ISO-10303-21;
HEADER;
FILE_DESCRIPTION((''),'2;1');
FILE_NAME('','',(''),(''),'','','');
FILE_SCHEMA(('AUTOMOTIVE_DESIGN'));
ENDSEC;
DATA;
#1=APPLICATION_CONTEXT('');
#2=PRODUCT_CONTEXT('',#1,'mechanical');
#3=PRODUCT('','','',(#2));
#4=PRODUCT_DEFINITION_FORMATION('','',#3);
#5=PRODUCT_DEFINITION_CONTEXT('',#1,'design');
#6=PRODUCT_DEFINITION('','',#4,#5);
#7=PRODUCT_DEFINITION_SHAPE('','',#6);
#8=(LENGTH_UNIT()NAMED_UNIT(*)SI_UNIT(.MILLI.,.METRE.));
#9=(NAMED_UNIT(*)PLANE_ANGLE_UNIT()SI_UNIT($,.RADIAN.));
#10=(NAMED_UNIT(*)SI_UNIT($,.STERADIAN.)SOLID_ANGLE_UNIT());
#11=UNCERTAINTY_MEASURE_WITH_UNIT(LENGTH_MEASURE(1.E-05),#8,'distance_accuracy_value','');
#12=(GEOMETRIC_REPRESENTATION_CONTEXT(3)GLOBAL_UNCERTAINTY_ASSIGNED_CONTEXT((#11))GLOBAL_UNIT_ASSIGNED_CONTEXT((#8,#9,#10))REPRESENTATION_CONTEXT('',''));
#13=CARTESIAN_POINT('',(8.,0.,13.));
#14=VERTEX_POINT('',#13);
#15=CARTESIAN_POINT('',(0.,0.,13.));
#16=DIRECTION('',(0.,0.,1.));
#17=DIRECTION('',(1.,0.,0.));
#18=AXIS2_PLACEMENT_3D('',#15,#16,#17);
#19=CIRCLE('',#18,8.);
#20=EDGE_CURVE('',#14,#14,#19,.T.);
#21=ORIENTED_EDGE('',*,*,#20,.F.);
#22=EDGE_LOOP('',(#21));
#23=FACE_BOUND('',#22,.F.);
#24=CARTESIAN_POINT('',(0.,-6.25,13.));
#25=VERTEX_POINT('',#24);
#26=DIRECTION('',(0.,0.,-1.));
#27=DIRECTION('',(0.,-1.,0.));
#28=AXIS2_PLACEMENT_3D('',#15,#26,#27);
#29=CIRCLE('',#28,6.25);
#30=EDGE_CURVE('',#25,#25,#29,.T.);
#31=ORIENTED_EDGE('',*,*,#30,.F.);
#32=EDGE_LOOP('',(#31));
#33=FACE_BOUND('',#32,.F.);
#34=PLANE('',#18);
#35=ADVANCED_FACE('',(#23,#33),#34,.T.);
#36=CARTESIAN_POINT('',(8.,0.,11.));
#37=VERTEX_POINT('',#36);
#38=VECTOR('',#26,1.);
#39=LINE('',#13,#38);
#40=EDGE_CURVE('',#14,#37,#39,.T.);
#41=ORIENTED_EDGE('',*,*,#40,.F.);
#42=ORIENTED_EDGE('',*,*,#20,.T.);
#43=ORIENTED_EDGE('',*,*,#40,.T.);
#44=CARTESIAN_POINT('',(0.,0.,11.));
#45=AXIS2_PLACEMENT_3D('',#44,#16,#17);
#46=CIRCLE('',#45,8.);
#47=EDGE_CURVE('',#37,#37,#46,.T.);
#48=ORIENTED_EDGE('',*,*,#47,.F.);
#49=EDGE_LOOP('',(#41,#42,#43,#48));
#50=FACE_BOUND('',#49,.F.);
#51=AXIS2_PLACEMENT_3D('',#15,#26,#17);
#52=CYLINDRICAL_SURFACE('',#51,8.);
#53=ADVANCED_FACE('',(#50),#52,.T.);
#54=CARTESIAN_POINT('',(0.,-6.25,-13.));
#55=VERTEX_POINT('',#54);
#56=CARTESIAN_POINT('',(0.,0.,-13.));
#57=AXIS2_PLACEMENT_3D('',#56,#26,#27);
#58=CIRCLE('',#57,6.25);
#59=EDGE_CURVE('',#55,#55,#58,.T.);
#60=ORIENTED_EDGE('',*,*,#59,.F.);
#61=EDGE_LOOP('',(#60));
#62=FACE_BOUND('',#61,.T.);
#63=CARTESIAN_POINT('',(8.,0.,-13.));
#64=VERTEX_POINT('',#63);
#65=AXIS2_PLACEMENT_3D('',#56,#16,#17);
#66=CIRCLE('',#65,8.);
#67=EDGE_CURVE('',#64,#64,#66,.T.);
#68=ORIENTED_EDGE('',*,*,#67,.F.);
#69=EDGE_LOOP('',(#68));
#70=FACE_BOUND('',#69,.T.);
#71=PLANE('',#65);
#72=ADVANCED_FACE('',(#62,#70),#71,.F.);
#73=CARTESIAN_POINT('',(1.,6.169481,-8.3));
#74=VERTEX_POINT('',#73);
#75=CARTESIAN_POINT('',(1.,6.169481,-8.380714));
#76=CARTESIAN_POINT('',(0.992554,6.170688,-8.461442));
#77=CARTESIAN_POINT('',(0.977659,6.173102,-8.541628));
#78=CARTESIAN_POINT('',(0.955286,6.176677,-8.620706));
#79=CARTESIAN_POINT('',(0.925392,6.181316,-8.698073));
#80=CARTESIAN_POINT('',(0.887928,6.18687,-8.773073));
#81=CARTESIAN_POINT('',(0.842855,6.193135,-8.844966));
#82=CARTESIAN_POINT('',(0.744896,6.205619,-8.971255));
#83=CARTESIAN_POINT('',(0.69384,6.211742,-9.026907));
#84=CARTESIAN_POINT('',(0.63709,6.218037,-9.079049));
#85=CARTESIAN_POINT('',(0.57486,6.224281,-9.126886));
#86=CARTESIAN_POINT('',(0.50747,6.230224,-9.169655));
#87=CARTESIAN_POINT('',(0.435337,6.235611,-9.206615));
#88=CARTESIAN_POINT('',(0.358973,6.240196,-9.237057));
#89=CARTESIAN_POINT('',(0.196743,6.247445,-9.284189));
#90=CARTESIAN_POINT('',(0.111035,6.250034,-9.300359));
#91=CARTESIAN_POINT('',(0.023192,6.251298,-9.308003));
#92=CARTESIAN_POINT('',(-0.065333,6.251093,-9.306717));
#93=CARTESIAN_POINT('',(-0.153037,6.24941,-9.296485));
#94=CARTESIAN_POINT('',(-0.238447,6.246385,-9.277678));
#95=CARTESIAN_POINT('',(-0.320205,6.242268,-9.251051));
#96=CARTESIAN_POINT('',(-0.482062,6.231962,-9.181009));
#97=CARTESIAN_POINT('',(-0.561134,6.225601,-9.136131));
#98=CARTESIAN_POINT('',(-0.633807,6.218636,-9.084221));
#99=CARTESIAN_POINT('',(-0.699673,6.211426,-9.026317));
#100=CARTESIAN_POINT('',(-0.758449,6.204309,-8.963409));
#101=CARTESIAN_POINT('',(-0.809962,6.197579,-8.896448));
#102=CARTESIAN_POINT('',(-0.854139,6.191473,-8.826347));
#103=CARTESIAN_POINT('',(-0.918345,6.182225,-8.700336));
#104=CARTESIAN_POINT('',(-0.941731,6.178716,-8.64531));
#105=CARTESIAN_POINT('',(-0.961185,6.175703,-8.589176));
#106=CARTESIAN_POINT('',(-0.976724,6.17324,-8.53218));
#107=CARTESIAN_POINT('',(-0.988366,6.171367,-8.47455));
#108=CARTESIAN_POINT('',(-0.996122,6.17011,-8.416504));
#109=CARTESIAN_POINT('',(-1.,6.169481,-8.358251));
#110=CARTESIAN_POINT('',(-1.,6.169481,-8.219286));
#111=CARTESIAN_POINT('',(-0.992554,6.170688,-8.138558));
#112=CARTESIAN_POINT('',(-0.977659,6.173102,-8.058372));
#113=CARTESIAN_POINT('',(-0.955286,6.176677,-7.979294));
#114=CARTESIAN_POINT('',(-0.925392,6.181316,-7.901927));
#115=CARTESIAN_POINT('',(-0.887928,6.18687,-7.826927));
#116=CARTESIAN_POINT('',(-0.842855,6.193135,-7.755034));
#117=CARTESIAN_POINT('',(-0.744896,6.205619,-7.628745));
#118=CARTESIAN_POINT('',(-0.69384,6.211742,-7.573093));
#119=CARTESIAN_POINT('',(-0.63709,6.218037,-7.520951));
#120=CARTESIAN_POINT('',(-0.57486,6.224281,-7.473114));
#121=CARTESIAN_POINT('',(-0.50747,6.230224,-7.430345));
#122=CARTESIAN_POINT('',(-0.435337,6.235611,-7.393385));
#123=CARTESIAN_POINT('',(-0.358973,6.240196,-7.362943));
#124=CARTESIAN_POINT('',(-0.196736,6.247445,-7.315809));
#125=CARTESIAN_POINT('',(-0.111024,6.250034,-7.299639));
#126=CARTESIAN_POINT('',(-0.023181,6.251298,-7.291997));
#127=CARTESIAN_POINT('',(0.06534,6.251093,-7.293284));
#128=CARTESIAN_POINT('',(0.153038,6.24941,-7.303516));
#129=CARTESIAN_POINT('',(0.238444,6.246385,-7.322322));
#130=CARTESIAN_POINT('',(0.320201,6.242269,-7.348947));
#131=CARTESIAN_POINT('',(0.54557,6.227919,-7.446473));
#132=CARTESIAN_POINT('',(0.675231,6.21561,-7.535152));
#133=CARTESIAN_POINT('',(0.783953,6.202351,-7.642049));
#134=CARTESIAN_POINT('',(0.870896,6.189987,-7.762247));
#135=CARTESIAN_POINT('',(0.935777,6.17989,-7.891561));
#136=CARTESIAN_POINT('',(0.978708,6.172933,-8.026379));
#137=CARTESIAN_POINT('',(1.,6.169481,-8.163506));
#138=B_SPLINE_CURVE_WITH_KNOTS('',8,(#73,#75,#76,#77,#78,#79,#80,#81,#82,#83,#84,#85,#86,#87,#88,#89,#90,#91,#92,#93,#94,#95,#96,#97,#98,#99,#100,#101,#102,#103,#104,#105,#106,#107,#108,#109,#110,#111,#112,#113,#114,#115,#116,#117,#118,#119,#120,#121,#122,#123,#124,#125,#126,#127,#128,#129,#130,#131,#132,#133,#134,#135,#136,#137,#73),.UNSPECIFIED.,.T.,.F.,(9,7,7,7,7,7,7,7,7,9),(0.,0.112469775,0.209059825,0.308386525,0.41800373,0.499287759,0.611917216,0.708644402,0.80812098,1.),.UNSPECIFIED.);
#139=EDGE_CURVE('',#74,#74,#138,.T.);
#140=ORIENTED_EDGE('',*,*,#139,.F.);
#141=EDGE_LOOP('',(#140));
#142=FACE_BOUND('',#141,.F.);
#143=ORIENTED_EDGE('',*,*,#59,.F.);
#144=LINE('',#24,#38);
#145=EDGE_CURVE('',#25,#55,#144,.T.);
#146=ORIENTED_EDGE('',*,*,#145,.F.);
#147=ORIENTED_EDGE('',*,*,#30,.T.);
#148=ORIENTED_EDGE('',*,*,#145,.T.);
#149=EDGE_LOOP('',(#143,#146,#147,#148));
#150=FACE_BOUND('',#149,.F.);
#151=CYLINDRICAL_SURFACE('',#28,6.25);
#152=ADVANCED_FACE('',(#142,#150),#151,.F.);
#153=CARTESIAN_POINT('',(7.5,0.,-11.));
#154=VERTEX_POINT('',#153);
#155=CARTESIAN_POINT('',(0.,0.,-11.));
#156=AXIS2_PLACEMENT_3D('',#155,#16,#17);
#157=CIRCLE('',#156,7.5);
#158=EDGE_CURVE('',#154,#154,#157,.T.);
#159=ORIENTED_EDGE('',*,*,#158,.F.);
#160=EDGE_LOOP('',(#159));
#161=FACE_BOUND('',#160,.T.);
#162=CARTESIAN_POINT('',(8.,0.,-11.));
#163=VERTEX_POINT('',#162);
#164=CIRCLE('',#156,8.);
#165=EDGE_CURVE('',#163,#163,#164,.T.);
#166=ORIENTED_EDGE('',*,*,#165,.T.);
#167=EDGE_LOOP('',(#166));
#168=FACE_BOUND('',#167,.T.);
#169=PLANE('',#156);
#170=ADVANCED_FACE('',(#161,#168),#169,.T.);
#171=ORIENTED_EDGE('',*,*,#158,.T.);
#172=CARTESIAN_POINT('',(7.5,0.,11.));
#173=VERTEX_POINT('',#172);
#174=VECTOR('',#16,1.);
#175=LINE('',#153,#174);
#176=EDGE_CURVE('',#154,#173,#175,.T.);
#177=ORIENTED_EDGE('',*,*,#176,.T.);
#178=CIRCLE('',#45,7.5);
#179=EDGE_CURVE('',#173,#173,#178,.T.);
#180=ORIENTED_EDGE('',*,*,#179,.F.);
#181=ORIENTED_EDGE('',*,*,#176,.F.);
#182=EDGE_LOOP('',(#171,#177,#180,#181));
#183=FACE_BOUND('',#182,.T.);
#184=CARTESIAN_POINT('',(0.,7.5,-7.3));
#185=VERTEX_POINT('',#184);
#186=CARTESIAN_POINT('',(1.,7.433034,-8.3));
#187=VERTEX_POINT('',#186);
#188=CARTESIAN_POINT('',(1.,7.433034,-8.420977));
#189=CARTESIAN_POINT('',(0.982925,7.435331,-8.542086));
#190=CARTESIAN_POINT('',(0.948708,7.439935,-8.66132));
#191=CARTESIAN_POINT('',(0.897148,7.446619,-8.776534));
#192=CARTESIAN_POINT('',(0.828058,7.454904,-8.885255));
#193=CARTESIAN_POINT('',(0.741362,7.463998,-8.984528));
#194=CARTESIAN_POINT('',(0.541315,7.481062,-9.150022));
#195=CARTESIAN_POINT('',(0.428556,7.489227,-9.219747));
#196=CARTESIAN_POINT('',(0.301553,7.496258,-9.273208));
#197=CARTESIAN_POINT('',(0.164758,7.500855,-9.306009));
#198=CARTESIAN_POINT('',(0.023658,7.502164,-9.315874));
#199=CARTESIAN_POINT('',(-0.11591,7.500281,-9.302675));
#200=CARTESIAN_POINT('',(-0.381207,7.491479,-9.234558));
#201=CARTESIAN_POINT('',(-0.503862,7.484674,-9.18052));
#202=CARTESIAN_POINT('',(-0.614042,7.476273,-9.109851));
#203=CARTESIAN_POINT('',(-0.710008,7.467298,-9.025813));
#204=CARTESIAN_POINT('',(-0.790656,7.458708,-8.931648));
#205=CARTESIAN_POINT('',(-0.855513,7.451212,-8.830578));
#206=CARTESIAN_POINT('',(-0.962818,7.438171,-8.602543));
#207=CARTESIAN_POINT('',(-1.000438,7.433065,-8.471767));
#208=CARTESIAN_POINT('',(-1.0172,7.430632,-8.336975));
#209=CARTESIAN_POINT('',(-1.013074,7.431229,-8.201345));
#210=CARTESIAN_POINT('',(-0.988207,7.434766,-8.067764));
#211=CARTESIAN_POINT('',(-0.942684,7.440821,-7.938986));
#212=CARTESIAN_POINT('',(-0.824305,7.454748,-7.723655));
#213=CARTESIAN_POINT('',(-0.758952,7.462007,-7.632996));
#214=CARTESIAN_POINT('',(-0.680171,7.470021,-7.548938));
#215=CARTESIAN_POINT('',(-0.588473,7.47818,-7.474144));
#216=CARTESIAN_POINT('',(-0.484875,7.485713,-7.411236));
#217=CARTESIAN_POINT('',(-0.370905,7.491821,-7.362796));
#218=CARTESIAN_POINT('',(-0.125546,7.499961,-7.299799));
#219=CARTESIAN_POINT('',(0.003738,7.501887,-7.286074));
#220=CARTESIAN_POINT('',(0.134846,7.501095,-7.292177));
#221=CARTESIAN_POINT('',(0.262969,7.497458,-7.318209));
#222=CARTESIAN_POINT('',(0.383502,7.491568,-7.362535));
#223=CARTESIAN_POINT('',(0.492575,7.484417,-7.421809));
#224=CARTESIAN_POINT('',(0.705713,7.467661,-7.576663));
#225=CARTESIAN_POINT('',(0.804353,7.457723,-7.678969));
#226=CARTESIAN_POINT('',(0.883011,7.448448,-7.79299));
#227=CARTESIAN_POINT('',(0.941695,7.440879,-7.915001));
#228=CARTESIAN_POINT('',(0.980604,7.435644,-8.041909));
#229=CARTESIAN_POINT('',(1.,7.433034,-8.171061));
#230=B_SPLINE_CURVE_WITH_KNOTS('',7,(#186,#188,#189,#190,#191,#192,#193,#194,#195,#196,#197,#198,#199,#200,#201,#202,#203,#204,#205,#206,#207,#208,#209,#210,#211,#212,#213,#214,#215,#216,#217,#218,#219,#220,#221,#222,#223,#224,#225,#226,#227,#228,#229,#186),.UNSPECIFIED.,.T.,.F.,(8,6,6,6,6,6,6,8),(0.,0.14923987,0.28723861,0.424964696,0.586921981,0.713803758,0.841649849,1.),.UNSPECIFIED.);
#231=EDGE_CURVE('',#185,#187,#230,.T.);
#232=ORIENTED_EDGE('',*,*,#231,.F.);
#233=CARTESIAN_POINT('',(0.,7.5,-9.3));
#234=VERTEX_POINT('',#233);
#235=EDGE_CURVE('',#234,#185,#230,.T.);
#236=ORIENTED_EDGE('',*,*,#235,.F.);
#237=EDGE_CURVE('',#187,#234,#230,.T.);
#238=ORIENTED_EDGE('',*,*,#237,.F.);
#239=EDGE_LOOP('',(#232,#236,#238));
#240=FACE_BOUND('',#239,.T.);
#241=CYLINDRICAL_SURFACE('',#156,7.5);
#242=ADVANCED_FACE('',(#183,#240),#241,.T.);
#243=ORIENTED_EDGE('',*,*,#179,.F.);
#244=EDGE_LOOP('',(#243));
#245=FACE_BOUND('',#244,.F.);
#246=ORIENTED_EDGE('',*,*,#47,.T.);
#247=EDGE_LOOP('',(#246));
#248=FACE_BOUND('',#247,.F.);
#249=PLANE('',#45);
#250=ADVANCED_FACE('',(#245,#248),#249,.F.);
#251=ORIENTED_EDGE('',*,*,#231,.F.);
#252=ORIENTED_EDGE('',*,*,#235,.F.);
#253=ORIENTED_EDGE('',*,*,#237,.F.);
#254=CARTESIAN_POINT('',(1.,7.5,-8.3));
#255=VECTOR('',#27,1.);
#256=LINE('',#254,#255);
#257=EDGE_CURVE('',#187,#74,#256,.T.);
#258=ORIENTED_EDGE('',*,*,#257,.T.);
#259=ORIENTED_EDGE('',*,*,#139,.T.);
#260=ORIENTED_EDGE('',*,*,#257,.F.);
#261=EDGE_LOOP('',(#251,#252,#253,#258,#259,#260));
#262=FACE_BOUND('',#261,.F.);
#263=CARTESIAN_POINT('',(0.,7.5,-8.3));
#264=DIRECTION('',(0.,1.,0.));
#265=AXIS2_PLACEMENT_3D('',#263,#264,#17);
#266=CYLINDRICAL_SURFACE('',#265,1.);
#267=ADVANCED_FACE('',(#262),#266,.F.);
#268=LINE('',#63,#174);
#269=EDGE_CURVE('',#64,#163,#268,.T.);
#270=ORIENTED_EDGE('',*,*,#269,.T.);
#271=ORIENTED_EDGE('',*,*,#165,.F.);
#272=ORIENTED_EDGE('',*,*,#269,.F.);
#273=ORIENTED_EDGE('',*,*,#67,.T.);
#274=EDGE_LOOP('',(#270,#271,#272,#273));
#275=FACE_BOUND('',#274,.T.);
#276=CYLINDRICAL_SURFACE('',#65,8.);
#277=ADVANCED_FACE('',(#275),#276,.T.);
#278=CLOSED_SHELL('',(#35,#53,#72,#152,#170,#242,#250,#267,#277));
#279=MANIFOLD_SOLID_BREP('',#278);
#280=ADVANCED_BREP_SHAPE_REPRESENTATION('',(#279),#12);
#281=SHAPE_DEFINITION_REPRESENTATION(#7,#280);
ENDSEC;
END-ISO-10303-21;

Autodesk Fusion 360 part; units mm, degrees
sketch "Skizze3" plane through (0, 0, 0) normal (0, 1, 0) x (1, 0, 0)
  line L0 (0, 0) -> (0, 13)
  line L1 (0, 13) -> (8, 13)
  line L2 (8, 13) -> (8, 11)
  line L3 (8, 11) -> (7.5, 11)
  line L4 (7.5, 11) -> (7.5, 0)
  line L5 (1.75, 0) -> (22.5, 0)
  line L6 (0, 0) -> (0, -13)
  line L7 (0, -13) -> (8, -13)
  line L8 (8, -11) -> (7.5, -11)
  line L9 (7.5, -11) -> (7.5, 0)
  line L10 (8, -13) -> (8, -11)
  dimension "d14" = 13
  dimension "d15" = 8
  dimension "d16" = 2
  dimension "d17" = 0.5
revolve "Drehen1" add sketch "Skizze3" angle 360 about axis through (0, 0, 0) along (0, 0, 1)
hole "Bohrung1" at (0, 0, 13) direction (0, 0, -1) diameter 12.5 end through all
ref_plane "Arbeitsebene1" through (0, 7.5, 0) normal (0, 1, 0) x (0, 0, 1)
sketch "Skizze5" plane through (0, 7.5, 0) normal (0, 1, 0) x (1, 0, 0)
  circle A0 centre (0, 8.3) radius 1
  dimension "d24" = 2
extrude "Extrusion3" cut sketch "Skizze5" against normal blind 3
component "Component" placed x (1, 0, 0) y (0, 1, 0) z (0, 0, 1) at (0, 0, 0)
